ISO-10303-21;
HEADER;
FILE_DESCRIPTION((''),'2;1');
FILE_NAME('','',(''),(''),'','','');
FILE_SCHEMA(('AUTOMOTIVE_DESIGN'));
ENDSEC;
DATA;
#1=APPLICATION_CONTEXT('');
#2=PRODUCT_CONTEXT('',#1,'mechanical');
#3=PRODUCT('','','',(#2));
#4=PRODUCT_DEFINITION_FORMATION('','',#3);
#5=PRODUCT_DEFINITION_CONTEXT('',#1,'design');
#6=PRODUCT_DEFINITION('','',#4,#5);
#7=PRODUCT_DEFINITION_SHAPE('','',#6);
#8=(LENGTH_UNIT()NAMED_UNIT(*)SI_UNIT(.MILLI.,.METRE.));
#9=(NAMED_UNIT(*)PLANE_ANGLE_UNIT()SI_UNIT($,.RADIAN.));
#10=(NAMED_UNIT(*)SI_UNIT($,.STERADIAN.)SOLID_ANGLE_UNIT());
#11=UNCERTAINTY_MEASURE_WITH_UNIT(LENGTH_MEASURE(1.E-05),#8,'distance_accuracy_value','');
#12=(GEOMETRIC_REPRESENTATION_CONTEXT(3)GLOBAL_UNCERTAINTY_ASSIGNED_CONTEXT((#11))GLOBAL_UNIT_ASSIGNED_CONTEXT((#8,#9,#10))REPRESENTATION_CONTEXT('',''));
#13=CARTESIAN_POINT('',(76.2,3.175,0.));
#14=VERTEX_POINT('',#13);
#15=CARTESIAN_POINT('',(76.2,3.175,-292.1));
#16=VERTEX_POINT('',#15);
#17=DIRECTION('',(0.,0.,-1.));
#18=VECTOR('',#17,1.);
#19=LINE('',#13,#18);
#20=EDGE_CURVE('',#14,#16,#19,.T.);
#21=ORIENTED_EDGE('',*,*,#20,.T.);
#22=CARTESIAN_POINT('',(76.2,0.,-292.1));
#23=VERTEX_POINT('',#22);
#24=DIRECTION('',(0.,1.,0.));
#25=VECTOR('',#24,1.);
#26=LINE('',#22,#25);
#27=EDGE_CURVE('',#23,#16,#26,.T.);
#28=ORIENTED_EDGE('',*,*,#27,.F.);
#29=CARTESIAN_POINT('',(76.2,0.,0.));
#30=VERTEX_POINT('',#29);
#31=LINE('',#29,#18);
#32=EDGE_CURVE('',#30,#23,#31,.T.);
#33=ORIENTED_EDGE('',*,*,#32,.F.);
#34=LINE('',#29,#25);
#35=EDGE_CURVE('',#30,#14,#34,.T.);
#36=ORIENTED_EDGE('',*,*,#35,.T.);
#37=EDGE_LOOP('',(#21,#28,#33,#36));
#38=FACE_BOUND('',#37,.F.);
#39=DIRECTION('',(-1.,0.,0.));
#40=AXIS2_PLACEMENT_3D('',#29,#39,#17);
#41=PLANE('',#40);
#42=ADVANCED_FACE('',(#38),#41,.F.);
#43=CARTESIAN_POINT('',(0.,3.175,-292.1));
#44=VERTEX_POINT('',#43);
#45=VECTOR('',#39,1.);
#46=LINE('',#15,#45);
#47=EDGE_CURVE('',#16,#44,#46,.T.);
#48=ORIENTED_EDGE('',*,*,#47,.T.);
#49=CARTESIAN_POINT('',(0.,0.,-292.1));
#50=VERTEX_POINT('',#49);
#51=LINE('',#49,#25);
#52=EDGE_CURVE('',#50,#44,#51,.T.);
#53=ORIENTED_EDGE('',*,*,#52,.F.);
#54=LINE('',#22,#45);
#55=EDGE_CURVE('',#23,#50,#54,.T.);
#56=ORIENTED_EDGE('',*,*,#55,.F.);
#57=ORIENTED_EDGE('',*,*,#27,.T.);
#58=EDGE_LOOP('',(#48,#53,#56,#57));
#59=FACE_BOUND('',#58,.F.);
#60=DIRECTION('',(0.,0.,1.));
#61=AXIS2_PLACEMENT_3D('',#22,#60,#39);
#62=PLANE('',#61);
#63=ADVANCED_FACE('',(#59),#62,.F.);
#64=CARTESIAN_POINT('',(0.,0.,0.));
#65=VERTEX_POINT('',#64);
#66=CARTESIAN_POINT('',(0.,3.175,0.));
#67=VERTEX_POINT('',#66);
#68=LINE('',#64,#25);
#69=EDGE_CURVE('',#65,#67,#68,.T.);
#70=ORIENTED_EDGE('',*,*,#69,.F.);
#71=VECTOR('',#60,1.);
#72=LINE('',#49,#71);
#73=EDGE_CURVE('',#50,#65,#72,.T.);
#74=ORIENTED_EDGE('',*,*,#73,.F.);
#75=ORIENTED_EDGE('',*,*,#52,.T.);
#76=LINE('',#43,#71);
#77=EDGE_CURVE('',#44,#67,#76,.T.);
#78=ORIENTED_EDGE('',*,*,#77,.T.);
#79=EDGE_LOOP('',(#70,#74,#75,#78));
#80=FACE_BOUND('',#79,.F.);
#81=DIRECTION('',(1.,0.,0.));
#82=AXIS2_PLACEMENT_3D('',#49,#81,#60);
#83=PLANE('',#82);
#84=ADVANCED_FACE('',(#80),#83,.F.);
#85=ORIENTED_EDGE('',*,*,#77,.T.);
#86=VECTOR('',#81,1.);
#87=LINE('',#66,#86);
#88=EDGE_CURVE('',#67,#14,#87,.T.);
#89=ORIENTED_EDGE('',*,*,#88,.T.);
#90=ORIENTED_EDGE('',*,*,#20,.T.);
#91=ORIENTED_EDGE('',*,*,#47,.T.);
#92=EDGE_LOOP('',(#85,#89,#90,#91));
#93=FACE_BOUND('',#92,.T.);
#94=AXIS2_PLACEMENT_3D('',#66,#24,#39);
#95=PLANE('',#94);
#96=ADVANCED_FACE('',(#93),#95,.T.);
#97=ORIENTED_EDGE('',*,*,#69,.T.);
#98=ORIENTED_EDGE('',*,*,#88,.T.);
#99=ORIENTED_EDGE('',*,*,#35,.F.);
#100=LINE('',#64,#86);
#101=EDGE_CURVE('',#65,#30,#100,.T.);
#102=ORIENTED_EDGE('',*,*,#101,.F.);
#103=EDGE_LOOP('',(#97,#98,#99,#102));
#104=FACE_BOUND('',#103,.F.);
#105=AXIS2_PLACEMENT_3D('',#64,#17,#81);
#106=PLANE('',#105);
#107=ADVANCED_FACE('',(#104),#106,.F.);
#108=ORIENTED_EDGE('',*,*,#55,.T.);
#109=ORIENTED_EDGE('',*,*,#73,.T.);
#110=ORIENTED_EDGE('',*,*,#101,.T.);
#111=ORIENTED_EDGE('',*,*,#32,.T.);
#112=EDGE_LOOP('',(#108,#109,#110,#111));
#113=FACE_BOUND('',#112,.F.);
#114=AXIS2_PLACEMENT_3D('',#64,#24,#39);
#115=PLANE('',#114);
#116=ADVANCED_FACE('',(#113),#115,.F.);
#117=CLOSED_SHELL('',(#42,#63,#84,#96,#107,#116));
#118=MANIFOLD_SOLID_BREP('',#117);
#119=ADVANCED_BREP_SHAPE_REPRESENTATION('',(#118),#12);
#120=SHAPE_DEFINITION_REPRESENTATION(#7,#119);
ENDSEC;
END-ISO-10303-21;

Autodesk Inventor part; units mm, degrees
ref_plane "YZ Plane" through (0, 0, 0) normal (1, 0, 0) x (0, 1, 0)
ref_plane "XZ Plane" through (0, 0, 0) normal (0, 1, 0) x (-1, 0, 0)
ref_plane "XY Plane" through (0, 0, 0) normal (0, 0, 1) x (1, 0, 0)
sketch "Sketch1" plane through (0, 0, 0) normal (0, 1, 0) x (-1, 0, 0)
  line L0 (0, 0) -> (-76.2, 0)
  line L1 (-76.2, 0) -> (-76.2, -292.1)
  line L2 (-76.2, -292.1) -> (0, -292.1)
  line L3 (0, -292.1) -> (0, 0)
  dimension "d0" = 76.2
  dimension "d1" = 292.1
extrude "Extrusion1" add sketch "Sketch1" along normal blind 3.175
properties part number "Part A. Base"
